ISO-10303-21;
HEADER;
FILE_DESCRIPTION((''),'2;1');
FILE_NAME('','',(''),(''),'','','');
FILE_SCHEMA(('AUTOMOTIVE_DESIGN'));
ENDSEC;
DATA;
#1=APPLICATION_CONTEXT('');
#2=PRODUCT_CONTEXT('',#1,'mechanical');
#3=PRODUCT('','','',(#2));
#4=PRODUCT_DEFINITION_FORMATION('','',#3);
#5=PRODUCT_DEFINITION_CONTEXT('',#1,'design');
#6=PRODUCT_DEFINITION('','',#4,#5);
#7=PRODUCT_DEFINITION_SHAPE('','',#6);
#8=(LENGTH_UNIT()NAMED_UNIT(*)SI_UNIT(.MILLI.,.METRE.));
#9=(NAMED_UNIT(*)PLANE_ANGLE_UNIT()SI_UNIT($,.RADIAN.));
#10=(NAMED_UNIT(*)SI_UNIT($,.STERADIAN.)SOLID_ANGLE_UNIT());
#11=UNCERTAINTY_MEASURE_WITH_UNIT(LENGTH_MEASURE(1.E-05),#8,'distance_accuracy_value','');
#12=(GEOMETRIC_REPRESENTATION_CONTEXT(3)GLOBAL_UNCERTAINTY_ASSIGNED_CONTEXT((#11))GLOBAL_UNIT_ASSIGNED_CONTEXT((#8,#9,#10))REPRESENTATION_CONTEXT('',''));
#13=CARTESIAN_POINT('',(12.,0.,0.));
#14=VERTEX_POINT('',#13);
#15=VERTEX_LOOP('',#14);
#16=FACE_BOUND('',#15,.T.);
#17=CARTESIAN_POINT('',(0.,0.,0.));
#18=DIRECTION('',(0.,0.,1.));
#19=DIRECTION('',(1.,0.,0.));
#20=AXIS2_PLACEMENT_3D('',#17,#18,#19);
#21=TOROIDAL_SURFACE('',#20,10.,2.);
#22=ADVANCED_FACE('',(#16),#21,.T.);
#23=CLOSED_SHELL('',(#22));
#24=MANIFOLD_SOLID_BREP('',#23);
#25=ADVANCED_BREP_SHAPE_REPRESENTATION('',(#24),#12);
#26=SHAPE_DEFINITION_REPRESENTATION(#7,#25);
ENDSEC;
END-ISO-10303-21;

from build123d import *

# Parameters (mm, degrees)
SKETCH1_R = 2


with BuildPart() as part:
    # Sketch1 → Revolve1 (revolve)
    with BuildSketch(Plane(origin=(0, 0, 0), x_dir=(0, -1, 0), z_dir=(1, 0, 0))):
        with Locations((10, 0)):
            Circle(SKETCH1_R)
    revolve(axis=Axis((0, 0, 2), (0, 0, -1)))


solid = part.part
